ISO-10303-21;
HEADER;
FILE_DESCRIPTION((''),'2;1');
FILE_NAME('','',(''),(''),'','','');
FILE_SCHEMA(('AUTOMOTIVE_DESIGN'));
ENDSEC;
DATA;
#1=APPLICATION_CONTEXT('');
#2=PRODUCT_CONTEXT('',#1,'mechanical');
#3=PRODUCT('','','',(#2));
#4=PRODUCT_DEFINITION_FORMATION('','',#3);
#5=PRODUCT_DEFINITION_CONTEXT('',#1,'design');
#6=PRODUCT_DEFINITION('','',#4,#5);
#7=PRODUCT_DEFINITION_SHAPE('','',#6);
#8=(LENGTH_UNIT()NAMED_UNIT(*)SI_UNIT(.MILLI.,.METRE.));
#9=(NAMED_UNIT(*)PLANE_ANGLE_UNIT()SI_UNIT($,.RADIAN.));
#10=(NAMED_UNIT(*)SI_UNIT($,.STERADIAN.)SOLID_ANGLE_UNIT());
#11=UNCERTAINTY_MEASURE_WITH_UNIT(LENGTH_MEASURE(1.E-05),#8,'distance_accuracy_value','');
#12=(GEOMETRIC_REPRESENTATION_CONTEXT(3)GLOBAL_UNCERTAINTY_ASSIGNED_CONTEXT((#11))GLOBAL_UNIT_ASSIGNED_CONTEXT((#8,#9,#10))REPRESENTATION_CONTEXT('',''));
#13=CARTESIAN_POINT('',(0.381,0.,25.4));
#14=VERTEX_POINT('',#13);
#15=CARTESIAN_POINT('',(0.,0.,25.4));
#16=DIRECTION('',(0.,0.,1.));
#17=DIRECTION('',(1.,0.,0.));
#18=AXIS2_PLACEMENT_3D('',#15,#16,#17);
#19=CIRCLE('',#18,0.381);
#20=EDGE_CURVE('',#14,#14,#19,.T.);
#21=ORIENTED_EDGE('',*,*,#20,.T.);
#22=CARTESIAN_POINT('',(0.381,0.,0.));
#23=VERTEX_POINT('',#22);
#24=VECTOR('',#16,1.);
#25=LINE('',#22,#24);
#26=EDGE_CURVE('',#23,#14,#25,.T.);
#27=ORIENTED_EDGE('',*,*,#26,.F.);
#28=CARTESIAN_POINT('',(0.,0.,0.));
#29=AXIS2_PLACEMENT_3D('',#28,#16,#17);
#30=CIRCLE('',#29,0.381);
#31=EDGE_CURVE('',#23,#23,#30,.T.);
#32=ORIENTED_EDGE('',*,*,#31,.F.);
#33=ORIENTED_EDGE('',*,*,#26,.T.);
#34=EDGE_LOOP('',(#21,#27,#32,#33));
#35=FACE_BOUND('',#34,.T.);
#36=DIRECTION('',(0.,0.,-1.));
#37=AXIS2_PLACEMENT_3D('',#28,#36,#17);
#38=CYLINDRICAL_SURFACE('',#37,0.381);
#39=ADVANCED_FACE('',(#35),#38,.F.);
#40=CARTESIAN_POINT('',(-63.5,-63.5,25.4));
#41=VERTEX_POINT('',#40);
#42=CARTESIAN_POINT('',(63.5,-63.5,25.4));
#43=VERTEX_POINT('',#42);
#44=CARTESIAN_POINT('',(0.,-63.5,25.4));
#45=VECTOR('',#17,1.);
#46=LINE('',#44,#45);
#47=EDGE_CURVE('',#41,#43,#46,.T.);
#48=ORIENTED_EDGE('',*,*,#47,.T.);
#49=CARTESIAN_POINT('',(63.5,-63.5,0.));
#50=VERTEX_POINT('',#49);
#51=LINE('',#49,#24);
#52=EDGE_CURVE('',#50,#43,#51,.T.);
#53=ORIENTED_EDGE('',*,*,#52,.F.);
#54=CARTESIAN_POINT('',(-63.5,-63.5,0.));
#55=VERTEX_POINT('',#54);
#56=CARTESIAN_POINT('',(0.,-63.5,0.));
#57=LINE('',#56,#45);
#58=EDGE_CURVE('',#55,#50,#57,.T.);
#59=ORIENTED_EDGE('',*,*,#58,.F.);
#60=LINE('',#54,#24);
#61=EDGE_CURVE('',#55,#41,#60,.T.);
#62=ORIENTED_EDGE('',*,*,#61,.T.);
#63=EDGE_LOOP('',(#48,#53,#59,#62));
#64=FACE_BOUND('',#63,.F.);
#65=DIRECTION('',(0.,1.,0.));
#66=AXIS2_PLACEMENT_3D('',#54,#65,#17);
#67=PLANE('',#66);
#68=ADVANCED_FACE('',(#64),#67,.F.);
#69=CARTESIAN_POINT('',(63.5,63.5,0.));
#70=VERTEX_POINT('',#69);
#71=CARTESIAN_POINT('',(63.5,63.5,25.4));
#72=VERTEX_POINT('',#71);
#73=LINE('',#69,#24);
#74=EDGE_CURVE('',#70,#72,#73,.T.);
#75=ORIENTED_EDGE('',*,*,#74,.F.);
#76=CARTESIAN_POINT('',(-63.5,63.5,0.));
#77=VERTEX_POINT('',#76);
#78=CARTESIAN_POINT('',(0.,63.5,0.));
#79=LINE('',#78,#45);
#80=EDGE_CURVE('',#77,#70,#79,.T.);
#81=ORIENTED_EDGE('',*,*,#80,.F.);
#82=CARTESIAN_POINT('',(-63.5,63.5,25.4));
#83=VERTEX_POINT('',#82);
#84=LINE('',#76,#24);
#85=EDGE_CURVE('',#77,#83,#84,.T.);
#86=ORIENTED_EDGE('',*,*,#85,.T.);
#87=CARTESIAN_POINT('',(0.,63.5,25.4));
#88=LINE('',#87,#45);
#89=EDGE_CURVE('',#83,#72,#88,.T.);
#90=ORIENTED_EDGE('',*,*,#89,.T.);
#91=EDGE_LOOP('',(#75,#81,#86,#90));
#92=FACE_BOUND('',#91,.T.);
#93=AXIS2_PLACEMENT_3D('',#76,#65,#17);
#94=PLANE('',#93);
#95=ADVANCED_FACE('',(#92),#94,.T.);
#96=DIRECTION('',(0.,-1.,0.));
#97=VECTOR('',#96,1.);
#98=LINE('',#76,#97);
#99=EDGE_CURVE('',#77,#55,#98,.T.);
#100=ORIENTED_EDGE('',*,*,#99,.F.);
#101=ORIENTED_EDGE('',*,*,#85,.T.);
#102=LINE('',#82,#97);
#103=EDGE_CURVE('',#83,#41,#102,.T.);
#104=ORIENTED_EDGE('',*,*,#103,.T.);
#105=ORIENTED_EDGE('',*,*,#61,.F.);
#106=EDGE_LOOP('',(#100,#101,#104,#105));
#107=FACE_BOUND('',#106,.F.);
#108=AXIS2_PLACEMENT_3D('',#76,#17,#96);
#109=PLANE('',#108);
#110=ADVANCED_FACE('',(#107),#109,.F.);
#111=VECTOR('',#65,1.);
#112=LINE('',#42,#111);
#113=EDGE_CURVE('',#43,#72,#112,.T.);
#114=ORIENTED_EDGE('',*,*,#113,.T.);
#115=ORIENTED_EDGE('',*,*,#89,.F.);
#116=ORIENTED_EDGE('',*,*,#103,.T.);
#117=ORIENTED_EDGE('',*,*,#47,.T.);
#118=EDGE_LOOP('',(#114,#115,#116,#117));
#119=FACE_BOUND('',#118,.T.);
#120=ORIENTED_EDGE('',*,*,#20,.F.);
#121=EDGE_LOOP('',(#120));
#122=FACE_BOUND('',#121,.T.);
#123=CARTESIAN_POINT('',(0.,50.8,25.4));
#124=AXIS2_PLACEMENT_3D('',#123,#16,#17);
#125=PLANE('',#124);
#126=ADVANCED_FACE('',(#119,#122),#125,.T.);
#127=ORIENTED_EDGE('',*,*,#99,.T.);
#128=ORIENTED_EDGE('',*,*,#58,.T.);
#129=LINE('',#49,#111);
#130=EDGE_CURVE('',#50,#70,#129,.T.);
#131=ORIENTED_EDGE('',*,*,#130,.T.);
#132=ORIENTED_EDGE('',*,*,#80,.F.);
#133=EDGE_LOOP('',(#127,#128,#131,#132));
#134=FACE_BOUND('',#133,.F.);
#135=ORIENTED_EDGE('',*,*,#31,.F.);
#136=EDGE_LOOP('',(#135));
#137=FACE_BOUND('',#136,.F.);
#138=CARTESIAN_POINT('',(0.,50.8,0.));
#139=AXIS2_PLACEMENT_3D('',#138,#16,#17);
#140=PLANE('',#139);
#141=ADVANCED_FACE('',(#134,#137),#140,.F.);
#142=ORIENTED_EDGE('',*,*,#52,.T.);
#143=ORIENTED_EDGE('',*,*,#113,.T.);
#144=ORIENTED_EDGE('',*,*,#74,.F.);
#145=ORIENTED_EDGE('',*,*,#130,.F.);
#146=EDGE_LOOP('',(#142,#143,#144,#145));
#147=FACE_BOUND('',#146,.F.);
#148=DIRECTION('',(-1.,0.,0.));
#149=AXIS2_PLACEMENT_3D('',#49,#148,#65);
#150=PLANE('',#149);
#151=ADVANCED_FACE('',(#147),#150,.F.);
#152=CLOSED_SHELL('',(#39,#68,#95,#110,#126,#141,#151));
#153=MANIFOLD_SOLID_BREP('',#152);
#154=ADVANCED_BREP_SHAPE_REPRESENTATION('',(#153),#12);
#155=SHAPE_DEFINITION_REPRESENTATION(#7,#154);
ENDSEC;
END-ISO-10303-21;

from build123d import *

# Parameters (mm, degrees)
F0_W     = 127
F0_H     = 25.4
F0_H_2   = 76.2
F0_R     = 0.381
F1_DEPTH = 25.4


with BuildPart() as f1:
    # F0 (on Top) → F1 (new body)
    with BuildSketch(Plane.XY):
        with Locations((0, 50.8)):
            Rectangle(F0_W, F0_H)
        Rectangle(F0_W, F0_H_2)
        Circle(F0_R, mode=Mode.SUBTRACT)
        with Locations((0, -50.8)):
            Rectangle(F0_W, F0_H)
    extrude(amount=F1_DEPTH)


solid = f1.part
